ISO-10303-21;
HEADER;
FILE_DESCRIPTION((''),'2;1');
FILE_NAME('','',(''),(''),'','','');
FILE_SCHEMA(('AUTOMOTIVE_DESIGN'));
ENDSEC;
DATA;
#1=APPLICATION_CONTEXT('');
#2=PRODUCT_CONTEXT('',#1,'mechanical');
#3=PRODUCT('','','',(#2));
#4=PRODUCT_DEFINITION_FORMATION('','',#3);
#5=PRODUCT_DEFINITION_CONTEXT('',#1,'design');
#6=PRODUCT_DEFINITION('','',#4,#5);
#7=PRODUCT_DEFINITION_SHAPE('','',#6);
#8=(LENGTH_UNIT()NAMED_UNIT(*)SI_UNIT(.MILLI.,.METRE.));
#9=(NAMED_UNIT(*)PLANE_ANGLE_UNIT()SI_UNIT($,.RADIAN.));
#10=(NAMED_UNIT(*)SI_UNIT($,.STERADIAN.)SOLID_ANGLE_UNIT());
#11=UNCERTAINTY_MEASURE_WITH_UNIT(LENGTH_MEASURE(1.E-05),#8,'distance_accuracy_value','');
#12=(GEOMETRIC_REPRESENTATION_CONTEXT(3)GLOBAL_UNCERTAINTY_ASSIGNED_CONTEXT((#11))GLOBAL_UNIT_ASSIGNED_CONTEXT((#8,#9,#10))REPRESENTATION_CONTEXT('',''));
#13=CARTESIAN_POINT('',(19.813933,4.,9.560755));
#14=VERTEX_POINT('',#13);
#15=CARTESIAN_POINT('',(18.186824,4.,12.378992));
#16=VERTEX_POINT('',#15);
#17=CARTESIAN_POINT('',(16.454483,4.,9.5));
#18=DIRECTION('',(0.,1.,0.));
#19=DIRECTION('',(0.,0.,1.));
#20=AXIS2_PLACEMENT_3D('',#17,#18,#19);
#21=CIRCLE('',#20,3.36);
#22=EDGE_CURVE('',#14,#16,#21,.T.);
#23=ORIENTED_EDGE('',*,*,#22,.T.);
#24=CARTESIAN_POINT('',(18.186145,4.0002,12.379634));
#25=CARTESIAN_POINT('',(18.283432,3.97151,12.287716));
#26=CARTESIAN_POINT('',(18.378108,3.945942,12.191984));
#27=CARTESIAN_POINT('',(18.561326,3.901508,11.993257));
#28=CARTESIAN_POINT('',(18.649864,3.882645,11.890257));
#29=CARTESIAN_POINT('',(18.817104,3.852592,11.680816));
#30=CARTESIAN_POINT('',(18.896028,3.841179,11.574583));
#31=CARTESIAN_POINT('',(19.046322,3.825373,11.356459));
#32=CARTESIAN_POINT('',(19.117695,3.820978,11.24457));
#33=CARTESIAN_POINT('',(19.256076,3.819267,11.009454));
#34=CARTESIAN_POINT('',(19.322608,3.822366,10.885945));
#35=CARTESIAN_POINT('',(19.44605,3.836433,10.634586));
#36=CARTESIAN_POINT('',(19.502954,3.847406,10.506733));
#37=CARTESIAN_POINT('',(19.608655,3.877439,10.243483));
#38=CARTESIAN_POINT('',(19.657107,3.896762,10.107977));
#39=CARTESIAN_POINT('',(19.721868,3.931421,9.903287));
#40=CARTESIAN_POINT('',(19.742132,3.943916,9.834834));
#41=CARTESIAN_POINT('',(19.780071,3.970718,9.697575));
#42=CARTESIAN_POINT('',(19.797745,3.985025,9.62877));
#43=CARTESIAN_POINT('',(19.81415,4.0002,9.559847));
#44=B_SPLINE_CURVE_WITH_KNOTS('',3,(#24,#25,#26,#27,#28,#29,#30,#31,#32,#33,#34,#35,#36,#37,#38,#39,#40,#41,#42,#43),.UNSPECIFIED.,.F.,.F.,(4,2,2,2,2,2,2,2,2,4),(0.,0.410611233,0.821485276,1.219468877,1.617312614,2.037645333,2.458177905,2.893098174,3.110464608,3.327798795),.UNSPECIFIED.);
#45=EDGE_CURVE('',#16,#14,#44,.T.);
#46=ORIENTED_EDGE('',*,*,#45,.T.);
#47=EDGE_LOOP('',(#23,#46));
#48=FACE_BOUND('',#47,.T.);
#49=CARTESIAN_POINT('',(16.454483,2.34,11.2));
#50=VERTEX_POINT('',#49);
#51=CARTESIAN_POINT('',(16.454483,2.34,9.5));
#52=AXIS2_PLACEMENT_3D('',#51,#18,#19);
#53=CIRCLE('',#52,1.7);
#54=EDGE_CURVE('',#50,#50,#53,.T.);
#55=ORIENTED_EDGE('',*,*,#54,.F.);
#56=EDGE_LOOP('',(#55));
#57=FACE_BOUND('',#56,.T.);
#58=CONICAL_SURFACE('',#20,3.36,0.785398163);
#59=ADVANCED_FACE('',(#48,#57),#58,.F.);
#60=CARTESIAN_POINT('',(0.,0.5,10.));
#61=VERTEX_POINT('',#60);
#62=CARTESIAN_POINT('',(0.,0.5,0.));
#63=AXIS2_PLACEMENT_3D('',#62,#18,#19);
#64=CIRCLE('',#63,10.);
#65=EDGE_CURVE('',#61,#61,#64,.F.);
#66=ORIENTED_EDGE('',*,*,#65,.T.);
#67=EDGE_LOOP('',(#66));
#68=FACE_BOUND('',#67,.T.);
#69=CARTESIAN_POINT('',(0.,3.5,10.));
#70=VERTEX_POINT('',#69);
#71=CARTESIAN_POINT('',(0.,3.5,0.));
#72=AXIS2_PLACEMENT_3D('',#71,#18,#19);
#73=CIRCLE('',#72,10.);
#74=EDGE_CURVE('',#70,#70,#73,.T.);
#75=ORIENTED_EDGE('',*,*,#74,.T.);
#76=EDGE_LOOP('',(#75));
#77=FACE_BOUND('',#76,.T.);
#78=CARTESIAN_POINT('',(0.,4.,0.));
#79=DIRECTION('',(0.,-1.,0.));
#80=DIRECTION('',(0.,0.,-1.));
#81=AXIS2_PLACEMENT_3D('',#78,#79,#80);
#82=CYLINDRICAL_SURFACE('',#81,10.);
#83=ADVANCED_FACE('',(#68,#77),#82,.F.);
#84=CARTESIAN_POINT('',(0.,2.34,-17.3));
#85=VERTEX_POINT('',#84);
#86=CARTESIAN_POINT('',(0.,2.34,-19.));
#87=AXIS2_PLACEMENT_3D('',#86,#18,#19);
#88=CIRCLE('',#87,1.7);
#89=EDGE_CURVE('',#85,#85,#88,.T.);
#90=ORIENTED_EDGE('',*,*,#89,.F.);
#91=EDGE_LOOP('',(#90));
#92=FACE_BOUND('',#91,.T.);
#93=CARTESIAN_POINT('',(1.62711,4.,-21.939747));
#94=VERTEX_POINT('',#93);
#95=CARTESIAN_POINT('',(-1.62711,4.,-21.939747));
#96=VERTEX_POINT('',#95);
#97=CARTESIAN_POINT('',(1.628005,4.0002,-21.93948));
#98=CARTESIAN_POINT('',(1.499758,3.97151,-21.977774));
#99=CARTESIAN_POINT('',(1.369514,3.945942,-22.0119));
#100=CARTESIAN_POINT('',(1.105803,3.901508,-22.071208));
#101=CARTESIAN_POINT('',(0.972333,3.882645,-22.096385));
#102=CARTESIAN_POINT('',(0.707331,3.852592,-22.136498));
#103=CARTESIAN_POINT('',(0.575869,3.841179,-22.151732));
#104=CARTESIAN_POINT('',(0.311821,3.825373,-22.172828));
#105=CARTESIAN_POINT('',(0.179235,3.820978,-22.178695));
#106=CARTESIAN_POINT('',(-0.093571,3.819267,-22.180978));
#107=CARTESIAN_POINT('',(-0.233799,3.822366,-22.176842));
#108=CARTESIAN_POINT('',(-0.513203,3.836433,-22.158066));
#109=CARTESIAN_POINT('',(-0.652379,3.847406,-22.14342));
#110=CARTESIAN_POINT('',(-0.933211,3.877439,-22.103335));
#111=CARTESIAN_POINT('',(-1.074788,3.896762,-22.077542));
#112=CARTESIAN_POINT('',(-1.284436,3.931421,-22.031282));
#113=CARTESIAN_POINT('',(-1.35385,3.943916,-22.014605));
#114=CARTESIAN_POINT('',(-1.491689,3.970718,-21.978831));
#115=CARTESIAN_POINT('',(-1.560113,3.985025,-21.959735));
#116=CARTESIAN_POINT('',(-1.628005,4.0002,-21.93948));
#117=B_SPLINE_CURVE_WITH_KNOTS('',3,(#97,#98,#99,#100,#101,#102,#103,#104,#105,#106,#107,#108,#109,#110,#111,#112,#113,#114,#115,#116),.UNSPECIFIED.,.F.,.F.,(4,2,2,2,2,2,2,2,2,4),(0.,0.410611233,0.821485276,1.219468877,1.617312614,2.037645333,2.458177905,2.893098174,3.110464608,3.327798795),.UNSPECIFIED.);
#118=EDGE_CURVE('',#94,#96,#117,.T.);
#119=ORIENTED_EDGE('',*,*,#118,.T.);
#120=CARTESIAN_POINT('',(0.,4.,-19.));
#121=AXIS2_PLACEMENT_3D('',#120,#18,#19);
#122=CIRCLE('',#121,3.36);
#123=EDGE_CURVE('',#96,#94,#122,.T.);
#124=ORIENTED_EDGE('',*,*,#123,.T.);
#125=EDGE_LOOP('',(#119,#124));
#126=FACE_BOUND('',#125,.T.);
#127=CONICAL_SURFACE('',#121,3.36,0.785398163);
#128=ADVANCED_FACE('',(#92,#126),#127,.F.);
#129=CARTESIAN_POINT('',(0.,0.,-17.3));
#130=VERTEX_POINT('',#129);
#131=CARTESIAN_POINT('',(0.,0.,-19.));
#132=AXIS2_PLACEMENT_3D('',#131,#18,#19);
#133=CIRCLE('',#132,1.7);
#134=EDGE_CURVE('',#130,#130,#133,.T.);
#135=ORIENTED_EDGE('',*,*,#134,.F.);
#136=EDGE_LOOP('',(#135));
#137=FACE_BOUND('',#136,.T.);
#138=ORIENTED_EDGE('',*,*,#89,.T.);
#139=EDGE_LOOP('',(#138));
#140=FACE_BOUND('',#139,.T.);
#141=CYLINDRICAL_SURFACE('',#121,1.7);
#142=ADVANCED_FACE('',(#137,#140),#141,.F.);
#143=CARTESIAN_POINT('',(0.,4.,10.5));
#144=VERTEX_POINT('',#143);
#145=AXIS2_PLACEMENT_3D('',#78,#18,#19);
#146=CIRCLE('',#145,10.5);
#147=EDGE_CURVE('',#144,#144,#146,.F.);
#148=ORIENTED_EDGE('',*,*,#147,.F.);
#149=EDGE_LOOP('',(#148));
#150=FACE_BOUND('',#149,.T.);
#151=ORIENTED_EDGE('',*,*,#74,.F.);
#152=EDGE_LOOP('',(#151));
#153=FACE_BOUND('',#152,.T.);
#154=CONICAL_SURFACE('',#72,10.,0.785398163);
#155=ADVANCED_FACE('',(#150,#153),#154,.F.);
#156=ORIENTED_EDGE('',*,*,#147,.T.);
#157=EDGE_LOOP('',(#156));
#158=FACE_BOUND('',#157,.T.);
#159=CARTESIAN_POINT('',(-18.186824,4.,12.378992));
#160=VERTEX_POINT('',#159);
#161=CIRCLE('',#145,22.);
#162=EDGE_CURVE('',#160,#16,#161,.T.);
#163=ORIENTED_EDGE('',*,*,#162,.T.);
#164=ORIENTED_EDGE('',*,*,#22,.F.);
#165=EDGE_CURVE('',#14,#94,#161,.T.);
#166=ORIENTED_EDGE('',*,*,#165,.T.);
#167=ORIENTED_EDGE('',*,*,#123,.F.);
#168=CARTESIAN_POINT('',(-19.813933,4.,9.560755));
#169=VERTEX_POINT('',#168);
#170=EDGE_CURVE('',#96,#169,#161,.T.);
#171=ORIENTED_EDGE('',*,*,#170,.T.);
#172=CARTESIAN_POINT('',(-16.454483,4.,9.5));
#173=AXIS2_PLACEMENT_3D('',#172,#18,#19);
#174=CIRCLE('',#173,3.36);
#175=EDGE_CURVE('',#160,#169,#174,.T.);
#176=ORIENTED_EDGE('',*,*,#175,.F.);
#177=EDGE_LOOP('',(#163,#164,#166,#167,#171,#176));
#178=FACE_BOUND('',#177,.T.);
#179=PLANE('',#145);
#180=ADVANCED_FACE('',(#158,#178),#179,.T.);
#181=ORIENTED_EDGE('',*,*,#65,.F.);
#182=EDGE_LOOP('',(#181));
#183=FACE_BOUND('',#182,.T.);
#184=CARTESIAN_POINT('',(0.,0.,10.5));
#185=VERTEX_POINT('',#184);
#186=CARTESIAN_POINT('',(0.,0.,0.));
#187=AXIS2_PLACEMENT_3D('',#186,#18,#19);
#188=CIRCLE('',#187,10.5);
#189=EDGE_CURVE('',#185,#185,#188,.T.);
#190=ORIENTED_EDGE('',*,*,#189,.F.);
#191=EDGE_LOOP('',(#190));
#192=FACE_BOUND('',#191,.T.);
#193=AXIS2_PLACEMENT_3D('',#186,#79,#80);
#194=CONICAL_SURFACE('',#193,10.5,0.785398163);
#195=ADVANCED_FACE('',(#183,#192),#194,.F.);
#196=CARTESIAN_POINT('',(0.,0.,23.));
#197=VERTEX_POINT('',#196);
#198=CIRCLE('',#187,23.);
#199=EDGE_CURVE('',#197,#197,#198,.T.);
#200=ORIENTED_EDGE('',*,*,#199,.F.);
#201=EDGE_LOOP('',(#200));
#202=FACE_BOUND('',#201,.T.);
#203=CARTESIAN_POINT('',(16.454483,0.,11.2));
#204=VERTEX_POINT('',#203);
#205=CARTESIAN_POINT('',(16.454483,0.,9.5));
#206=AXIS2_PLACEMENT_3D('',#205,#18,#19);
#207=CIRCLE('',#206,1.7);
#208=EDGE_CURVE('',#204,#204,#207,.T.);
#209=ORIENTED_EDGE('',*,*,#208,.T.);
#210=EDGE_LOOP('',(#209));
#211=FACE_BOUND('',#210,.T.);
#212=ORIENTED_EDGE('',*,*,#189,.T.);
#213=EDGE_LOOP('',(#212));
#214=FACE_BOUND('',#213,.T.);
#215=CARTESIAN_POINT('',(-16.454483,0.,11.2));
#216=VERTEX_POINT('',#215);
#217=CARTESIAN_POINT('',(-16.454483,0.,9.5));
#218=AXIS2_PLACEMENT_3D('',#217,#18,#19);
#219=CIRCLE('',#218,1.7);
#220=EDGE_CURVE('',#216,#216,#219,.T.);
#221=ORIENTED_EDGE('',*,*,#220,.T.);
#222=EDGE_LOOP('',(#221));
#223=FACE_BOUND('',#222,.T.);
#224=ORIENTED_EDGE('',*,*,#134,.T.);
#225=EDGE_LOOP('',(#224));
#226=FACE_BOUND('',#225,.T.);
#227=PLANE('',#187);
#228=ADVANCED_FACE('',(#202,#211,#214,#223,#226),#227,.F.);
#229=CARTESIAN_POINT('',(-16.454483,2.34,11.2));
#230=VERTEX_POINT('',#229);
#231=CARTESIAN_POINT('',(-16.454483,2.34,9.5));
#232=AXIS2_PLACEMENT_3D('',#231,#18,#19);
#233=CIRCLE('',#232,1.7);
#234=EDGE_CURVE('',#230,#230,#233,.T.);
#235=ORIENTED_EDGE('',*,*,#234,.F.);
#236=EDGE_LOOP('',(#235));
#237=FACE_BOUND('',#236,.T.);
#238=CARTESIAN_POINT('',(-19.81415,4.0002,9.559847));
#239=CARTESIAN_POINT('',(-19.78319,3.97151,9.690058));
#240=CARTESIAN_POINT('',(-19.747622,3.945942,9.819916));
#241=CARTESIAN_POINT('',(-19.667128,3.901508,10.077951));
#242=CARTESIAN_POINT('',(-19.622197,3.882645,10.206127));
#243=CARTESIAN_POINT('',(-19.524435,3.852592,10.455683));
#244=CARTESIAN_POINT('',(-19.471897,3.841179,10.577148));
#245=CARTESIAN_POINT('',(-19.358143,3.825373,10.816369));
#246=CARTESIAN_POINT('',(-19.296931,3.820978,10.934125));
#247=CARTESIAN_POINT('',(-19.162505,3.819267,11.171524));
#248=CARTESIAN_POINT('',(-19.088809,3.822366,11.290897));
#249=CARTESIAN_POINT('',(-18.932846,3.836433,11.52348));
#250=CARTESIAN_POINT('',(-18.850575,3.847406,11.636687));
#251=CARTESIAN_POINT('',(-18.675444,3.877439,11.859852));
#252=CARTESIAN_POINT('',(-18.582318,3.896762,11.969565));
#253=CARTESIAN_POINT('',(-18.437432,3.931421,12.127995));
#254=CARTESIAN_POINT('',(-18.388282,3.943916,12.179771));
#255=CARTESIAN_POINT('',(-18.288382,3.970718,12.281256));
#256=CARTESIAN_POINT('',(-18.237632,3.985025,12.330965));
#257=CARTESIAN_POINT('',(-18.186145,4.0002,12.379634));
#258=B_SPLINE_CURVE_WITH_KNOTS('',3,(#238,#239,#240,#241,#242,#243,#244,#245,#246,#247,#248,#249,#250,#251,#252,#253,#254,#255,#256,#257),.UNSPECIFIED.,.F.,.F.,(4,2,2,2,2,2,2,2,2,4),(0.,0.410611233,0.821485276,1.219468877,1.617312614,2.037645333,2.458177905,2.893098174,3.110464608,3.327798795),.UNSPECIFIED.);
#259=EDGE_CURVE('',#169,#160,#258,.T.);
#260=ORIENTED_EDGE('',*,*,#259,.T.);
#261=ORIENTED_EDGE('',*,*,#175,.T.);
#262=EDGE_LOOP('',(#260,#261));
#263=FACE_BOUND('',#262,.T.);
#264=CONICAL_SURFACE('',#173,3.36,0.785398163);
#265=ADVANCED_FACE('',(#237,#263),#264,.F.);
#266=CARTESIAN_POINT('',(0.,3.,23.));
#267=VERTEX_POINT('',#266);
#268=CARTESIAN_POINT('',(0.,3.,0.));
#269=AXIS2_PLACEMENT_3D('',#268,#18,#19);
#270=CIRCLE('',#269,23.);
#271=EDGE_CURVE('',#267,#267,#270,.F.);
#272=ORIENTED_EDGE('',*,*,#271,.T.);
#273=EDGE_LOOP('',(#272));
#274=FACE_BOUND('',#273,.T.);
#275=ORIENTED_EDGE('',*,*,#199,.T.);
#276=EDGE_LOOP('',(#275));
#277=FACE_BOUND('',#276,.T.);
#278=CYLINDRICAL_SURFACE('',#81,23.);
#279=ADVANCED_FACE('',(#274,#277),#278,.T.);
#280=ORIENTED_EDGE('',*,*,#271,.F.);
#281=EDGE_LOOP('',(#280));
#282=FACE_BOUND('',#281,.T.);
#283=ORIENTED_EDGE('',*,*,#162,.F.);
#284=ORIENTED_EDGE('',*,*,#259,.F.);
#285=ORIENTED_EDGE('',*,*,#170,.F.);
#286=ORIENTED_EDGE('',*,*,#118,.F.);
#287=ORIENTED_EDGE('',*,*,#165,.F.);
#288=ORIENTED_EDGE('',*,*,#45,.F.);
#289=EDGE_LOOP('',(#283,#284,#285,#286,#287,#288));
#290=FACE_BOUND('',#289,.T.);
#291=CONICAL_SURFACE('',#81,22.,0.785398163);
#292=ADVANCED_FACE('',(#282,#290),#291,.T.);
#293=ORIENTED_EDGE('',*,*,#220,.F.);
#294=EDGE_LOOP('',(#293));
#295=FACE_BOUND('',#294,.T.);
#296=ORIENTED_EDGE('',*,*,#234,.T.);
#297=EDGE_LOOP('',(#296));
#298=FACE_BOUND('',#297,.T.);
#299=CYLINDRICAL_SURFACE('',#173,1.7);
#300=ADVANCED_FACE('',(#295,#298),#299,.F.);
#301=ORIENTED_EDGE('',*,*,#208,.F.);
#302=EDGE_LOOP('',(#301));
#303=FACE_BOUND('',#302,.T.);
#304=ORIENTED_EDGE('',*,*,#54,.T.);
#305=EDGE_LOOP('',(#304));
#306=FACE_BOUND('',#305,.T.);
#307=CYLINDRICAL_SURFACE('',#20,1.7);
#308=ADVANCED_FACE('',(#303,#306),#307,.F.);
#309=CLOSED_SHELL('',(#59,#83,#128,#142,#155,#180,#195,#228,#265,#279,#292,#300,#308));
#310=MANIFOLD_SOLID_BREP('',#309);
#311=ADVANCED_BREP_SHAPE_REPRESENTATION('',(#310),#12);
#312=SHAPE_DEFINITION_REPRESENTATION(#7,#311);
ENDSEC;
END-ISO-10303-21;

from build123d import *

# Parameters (mm, degrees)
SKETCH1_R                     = 23
SKETCH1_R_2                   = 10
BOSS_EXTRUDE1_DEPTH           = 4
CHAMFER1_SIZE                 = 0.5
CHAMFER2_SIZE                 = 1
CSK_FOR_M3_SFHCS1_D           = 3.4
CSK_FOR_M3_SFHCS1_CSINK_D     = 6.72
CSK_FOR_M3_SFHCS1_CSINK_ANGLE = 90


with BuildPart() as part:
    # Sketch1 → Boss-Extrude1 (new body)
    with BuildSketch(Plane(origin=(0, 0, 0), x_dir=(1, 0, 0), z_dir=(0, 1, 0))):
        with Locations(Location((0, 0, 0), (0, 0, 270))):
            Circle(SKETCH1_R)
        with Locations(Location((0, 0, 0), (0, 0, 270))):
            Circle(SKETCH1_R_2, mode=Mode.SUBTRACT)
    extrude(amount=BOSS_EXTRUDE1_DEPTH)

    # Chamfer1
    chamfer1_edges = [part.edges().sort_by_distance(p)[0] for p in [
        (0, 0, -10),
        (0, 4, -10),
    ]]
    chamfer(chamfer1_edges, length=CHAMFER1_SIZE)

    # Chamfer2
    chamfer2_edges = [part.edges().sort_by_distance(p)[0] for p in [
        (0, 4, -23),
    ]]
    chamfer(chamfer2_edges, length=CHAMFER2_SIZE)

    # CSK for M3 SFHCS1 (through all)
    with Locations(Plane(origin=(0, 4, 0), x_dir=(1, 0, 0), z_dir=(0, 1, 0))):
        with Locations((0, 19), (16.454482672, -9.5), (-16.454482672, -9.5)):
            CounterSinkHole(CSK_FOR_M3_SFHCS1_D / 2, CSK_FOR_M3_SFHCS1_CSINK_D / 2, counter_sink_angle=CSK_FOR_M3_SFHCS1_CSINK_ANGLE)


solid = part.part
